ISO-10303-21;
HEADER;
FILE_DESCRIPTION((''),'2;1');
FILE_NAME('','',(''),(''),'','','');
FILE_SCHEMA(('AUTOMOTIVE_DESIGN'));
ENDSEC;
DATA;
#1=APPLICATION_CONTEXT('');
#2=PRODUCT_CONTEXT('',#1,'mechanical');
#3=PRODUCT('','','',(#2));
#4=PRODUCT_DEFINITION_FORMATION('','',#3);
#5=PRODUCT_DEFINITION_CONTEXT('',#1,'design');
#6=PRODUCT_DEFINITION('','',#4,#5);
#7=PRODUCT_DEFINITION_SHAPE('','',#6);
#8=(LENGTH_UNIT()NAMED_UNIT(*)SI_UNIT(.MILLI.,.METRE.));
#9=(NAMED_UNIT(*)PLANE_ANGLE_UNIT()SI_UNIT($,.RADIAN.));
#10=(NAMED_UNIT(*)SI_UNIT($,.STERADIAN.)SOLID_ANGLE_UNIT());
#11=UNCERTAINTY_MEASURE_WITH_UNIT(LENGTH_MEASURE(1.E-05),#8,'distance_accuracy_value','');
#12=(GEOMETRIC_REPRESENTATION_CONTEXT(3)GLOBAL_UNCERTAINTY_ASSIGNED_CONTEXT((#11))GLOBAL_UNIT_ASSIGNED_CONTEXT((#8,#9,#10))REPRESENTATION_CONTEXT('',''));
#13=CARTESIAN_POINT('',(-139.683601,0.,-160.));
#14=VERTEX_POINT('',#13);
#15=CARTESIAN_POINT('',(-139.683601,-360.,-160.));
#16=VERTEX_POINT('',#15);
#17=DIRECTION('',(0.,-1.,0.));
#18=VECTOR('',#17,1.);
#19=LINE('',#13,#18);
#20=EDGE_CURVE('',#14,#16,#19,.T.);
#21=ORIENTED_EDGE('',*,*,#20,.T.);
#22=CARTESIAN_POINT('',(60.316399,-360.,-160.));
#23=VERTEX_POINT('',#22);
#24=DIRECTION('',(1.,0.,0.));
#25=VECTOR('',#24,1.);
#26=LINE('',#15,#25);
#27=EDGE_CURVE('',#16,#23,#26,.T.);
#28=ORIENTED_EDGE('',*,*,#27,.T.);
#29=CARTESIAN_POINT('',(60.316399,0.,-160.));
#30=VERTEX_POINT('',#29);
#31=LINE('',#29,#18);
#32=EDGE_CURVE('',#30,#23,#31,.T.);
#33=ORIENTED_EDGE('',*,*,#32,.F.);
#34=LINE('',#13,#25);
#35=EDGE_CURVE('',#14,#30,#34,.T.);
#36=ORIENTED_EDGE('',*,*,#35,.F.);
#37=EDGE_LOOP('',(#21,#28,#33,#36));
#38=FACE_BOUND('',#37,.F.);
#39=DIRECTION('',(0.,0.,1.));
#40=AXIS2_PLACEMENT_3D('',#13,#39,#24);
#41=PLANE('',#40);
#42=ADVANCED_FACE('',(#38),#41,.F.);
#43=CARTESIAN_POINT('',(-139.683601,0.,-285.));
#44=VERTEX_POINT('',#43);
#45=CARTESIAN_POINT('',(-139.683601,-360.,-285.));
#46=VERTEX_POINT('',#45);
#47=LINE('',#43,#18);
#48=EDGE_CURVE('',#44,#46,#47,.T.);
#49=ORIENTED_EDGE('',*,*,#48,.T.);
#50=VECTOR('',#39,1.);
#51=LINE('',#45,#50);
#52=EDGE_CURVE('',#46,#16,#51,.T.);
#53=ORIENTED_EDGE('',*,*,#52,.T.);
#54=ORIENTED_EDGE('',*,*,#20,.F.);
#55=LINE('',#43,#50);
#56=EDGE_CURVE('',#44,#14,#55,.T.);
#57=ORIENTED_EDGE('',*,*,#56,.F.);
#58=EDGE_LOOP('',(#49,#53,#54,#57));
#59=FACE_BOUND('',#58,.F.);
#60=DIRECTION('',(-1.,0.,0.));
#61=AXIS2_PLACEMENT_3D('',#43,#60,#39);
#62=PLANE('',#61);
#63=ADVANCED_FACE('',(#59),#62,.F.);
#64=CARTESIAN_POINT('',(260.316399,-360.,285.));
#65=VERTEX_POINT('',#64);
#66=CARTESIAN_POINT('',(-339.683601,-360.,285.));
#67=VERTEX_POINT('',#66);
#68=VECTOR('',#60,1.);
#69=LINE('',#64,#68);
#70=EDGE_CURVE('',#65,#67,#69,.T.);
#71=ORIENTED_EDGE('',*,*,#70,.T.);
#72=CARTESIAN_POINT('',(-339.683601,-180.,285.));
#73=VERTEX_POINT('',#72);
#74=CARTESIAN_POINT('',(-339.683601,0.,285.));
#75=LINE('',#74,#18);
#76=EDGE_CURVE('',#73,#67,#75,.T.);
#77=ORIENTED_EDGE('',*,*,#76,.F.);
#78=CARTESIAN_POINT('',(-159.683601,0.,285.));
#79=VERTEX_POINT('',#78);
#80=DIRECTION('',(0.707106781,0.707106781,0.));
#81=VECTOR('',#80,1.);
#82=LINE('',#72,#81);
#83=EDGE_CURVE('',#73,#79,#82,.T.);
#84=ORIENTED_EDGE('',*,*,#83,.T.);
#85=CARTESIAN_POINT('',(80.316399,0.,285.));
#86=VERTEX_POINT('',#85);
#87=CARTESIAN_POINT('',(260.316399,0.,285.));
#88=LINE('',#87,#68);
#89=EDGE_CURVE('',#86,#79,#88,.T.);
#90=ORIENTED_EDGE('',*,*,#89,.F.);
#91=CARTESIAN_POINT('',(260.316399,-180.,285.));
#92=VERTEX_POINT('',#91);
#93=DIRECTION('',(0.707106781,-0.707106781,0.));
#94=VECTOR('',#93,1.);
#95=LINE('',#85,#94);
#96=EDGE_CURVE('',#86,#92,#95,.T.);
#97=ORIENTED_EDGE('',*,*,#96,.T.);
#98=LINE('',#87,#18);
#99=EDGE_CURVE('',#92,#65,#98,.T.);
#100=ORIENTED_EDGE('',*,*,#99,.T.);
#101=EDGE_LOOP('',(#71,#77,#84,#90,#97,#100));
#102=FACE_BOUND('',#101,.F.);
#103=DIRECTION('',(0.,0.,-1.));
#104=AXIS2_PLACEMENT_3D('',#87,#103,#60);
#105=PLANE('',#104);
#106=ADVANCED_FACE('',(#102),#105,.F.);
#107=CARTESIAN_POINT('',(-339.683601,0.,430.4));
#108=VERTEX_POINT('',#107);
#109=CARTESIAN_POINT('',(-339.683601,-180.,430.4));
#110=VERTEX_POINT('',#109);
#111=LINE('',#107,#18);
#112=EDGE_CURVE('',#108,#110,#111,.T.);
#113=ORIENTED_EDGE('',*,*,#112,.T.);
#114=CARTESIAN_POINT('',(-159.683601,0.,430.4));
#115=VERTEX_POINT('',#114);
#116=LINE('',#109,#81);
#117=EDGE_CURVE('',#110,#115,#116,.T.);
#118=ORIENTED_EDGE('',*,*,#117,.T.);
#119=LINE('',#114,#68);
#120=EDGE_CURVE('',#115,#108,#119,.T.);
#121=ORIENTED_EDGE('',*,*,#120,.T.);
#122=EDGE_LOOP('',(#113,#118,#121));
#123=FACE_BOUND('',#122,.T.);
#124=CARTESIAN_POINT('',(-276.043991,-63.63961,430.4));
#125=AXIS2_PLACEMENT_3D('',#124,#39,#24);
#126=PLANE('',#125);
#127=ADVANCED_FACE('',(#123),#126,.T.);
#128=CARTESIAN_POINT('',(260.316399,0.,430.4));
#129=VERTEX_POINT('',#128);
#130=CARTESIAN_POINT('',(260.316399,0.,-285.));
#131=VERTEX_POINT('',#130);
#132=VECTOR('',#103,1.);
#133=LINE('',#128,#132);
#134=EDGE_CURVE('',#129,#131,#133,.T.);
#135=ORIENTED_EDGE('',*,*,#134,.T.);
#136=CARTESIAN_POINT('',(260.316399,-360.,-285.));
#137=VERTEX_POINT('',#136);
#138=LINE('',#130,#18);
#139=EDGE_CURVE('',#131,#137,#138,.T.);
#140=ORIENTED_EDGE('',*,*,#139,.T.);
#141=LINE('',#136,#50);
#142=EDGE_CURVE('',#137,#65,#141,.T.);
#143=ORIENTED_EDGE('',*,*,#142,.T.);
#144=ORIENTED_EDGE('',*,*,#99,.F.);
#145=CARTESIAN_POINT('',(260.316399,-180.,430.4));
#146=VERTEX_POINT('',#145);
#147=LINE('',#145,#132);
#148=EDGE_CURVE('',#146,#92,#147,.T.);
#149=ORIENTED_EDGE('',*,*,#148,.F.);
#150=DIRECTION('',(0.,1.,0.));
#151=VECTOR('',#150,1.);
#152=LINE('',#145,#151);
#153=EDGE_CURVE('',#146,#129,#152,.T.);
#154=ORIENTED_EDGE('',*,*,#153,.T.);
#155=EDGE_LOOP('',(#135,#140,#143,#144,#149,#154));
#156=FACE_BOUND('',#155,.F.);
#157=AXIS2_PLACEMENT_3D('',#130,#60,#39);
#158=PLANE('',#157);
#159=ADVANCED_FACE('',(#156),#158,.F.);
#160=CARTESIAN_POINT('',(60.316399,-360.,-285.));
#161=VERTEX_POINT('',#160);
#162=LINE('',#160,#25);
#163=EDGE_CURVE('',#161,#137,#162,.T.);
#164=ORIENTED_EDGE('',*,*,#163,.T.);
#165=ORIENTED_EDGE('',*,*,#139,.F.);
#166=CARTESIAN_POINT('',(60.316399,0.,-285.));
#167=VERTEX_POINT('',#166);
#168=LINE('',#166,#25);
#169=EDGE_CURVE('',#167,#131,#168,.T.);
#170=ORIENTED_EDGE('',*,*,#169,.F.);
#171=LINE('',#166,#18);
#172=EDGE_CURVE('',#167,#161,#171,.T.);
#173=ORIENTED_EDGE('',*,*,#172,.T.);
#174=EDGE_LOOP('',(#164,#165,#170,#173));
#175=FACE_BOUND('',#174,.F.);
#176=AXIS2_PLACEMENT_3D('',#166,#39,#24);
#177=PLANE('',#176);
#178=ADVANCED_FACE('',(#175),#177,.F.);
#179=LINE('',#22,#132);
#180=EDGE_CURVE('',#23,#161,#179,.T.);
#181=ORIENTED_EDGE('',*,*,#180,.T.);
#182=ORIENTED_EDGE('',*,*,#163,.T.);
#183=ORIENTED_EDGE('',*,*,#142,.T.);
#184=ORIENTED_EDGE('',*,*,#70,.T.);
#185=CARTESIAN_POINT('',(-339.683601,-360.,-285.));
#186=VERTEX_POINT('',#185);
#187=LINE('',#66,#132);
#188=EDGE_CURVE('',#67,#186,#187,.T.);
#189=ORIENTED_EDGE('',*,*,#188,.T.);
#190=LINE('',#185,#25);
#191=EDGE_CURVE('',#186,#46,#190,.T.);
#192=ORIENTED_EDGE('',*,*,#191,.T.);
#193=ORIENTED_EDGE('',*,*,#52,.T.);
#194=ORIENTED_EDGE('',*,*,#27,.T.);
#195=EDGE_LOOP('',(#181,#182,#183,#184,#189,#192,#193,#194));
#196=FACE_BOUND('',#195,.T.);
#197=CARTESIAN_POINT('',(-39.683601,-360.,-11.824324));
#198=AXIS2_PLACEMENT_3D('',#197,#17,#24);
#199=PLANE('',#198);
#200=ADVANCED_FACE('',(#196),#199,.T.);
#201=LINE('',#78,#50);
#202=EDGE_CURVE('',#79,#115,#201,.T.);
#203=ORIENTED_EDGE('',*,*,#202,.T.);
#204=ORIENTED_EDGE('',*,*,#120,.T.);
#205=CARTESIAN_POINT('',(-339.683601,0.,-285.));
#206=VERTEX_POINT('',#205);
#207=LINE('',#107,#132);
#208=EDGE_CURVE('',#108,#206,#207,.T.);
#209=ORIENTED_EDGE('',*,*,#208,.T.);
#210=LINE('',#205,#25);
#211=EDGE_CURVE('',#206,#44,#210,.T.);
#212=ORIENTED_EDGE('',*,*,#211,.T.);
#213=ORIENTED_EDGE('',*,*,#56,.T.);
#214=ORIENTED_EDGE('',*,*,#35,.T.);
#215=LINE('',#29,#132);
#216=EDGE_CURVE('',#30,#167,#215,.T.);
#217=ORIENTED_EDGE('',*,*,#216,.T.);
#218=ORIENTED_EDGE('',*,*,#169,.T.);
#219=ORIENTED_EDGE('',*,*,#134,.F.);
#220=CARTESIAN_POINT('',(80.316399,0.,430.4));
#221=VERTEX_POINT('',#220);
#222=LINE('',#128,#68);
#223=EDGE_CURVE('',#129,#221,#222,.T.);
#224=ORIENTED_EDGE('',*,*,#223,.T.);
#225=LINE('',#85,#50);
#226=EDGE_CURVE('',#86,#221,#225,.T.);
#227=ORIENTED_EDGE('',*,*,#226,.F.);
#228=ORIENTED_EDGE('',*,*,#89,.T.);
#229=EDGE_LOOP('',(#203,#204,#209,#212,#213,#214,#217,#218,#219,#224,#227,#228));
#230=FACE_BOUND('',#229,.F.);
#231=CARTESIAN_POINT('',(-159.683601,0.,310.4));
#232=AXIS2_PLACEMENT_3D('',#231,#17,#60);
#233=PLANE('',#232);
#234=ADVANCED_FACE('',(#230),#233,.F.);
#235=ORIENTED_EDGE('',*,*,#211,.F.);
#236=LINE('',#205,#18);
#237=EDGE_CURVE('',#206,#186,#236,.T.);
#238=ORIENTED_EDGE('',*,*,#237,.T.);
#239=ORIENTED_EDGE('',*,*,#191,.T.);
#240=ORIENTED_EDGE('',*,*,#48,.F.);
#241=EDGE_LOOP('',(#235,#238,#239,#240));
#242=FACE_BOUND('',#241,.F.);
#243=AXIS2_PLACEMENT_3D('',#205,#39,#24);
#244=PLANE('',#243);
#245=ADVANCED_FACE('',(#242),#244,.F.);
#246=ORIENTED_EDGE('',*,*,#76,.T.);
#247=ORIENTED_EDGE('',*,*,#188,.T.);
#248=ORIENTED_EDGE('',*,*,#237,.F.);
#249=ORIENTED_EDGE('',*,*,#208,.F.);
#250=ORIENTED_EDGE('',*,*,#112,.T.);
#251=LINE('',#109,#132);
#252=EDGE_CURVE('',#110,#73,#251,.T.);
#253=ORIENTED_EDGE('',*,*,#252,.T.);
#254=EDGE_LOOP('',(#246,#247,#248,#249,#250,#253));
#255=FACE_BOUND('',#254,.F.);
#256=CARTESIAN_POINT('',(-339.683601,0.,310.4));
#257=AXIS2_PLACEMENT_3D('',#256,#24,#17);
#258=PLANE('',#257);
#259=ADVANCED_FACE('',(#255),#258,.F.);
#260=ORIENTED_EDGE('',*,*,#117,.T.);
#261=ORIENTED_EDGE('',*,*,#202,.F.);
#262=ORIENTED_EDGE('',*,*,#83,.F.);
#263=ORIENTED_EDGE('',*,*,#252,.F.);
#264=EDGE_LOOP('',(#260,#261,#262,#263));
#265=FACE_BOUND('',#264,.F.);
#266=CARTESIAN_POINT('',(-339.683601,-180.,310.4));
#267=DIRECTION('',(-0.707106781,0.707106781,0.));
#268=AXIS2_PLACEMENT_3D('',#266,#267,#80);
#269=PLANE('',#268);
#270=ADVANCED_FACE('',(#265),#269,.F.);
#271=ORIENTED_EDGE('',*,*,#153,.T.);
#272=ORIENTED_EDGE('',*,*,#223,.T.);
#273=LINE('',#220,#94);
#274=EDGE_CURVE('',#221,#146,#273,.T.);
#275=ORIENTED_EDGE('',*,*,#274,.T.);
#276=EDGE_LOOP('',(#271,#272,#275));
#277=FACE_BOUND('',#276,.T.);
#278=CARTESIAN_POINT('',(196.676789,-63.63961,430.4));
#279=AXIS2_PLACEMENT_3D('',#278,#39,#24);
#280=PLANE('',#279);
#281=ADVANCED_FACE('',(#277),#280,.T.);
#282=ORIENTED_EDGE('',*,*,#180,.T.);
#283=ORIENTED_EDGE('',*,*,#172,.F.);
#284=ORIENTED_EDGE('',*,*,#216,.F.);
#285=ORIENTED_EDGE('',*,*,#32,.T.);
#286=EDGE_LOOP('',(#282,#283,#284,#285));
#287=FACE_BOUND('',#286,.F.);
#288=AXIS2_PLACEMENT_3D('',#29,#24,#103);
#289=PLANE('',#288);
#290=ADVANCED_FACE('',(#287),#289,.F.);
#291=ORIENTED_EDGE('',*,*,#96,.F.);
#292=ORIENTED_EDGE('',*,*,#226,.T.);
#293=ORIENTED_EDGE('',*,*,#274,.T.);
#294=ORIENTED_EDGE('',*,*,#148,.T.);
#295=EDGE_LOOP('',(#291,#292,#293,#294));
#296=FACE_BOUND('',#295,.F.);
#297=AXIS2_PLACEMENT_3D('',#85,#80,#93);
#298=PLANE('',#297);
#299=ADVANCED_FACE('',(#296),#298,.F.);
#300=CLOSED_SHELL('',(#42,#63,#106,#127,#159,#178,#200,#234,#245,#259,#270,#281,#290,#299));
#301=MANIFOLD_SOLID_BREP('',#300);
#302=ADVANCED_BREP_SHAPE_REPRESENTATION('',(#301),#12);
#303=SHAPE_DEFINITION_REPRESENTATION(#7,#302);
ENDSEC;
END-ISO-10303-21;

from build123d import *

# Parameters (mm, degrees)
F1_DEPTH = 360
F3_DEPTH = 25.4
F4_DEPTH = 120


with BuildPart() as f1:
    # F0 (on Front) → F1 (new body)
    with BuildSketch(Plane.XZ):
        Polygon((260.316399, -285), (260.316399, 285), (-339.683601, 285), (-339.683601, -285), (-139.683601, -285), (-139.683601, -160), (60.316399, -160), (60.316399, -285), align=None)
    extrude(amount=F1_DEPTH)

    # F2 (on face) → F3 (join)
    with BuildSketch(Plane.XY.offset(285)):
        Polygon((-159.683601, 0), (-339.683601, 0), (-339.683601, -180), align=None)
        Polygon((260.316399, 0), (80.316399, 0), (260.316399, -180), align=None)
    extrude(amount=F3_DEPTH)

    # F3_face (on face) → F4 (join)
    with BuildSketch(Plane(origin=(-279.683601, -60, 310.4), x_dir=(1, 0, 0), z_dir=(0, 0, 1))):
        Polygon((-60, -120), (120, 60), (-60, 60), align=None)
        Polygon((540, 60), (360, 60), (540, -120), align=None)
    extrude(amount=F4_DEPTH)


solid = f1.part
